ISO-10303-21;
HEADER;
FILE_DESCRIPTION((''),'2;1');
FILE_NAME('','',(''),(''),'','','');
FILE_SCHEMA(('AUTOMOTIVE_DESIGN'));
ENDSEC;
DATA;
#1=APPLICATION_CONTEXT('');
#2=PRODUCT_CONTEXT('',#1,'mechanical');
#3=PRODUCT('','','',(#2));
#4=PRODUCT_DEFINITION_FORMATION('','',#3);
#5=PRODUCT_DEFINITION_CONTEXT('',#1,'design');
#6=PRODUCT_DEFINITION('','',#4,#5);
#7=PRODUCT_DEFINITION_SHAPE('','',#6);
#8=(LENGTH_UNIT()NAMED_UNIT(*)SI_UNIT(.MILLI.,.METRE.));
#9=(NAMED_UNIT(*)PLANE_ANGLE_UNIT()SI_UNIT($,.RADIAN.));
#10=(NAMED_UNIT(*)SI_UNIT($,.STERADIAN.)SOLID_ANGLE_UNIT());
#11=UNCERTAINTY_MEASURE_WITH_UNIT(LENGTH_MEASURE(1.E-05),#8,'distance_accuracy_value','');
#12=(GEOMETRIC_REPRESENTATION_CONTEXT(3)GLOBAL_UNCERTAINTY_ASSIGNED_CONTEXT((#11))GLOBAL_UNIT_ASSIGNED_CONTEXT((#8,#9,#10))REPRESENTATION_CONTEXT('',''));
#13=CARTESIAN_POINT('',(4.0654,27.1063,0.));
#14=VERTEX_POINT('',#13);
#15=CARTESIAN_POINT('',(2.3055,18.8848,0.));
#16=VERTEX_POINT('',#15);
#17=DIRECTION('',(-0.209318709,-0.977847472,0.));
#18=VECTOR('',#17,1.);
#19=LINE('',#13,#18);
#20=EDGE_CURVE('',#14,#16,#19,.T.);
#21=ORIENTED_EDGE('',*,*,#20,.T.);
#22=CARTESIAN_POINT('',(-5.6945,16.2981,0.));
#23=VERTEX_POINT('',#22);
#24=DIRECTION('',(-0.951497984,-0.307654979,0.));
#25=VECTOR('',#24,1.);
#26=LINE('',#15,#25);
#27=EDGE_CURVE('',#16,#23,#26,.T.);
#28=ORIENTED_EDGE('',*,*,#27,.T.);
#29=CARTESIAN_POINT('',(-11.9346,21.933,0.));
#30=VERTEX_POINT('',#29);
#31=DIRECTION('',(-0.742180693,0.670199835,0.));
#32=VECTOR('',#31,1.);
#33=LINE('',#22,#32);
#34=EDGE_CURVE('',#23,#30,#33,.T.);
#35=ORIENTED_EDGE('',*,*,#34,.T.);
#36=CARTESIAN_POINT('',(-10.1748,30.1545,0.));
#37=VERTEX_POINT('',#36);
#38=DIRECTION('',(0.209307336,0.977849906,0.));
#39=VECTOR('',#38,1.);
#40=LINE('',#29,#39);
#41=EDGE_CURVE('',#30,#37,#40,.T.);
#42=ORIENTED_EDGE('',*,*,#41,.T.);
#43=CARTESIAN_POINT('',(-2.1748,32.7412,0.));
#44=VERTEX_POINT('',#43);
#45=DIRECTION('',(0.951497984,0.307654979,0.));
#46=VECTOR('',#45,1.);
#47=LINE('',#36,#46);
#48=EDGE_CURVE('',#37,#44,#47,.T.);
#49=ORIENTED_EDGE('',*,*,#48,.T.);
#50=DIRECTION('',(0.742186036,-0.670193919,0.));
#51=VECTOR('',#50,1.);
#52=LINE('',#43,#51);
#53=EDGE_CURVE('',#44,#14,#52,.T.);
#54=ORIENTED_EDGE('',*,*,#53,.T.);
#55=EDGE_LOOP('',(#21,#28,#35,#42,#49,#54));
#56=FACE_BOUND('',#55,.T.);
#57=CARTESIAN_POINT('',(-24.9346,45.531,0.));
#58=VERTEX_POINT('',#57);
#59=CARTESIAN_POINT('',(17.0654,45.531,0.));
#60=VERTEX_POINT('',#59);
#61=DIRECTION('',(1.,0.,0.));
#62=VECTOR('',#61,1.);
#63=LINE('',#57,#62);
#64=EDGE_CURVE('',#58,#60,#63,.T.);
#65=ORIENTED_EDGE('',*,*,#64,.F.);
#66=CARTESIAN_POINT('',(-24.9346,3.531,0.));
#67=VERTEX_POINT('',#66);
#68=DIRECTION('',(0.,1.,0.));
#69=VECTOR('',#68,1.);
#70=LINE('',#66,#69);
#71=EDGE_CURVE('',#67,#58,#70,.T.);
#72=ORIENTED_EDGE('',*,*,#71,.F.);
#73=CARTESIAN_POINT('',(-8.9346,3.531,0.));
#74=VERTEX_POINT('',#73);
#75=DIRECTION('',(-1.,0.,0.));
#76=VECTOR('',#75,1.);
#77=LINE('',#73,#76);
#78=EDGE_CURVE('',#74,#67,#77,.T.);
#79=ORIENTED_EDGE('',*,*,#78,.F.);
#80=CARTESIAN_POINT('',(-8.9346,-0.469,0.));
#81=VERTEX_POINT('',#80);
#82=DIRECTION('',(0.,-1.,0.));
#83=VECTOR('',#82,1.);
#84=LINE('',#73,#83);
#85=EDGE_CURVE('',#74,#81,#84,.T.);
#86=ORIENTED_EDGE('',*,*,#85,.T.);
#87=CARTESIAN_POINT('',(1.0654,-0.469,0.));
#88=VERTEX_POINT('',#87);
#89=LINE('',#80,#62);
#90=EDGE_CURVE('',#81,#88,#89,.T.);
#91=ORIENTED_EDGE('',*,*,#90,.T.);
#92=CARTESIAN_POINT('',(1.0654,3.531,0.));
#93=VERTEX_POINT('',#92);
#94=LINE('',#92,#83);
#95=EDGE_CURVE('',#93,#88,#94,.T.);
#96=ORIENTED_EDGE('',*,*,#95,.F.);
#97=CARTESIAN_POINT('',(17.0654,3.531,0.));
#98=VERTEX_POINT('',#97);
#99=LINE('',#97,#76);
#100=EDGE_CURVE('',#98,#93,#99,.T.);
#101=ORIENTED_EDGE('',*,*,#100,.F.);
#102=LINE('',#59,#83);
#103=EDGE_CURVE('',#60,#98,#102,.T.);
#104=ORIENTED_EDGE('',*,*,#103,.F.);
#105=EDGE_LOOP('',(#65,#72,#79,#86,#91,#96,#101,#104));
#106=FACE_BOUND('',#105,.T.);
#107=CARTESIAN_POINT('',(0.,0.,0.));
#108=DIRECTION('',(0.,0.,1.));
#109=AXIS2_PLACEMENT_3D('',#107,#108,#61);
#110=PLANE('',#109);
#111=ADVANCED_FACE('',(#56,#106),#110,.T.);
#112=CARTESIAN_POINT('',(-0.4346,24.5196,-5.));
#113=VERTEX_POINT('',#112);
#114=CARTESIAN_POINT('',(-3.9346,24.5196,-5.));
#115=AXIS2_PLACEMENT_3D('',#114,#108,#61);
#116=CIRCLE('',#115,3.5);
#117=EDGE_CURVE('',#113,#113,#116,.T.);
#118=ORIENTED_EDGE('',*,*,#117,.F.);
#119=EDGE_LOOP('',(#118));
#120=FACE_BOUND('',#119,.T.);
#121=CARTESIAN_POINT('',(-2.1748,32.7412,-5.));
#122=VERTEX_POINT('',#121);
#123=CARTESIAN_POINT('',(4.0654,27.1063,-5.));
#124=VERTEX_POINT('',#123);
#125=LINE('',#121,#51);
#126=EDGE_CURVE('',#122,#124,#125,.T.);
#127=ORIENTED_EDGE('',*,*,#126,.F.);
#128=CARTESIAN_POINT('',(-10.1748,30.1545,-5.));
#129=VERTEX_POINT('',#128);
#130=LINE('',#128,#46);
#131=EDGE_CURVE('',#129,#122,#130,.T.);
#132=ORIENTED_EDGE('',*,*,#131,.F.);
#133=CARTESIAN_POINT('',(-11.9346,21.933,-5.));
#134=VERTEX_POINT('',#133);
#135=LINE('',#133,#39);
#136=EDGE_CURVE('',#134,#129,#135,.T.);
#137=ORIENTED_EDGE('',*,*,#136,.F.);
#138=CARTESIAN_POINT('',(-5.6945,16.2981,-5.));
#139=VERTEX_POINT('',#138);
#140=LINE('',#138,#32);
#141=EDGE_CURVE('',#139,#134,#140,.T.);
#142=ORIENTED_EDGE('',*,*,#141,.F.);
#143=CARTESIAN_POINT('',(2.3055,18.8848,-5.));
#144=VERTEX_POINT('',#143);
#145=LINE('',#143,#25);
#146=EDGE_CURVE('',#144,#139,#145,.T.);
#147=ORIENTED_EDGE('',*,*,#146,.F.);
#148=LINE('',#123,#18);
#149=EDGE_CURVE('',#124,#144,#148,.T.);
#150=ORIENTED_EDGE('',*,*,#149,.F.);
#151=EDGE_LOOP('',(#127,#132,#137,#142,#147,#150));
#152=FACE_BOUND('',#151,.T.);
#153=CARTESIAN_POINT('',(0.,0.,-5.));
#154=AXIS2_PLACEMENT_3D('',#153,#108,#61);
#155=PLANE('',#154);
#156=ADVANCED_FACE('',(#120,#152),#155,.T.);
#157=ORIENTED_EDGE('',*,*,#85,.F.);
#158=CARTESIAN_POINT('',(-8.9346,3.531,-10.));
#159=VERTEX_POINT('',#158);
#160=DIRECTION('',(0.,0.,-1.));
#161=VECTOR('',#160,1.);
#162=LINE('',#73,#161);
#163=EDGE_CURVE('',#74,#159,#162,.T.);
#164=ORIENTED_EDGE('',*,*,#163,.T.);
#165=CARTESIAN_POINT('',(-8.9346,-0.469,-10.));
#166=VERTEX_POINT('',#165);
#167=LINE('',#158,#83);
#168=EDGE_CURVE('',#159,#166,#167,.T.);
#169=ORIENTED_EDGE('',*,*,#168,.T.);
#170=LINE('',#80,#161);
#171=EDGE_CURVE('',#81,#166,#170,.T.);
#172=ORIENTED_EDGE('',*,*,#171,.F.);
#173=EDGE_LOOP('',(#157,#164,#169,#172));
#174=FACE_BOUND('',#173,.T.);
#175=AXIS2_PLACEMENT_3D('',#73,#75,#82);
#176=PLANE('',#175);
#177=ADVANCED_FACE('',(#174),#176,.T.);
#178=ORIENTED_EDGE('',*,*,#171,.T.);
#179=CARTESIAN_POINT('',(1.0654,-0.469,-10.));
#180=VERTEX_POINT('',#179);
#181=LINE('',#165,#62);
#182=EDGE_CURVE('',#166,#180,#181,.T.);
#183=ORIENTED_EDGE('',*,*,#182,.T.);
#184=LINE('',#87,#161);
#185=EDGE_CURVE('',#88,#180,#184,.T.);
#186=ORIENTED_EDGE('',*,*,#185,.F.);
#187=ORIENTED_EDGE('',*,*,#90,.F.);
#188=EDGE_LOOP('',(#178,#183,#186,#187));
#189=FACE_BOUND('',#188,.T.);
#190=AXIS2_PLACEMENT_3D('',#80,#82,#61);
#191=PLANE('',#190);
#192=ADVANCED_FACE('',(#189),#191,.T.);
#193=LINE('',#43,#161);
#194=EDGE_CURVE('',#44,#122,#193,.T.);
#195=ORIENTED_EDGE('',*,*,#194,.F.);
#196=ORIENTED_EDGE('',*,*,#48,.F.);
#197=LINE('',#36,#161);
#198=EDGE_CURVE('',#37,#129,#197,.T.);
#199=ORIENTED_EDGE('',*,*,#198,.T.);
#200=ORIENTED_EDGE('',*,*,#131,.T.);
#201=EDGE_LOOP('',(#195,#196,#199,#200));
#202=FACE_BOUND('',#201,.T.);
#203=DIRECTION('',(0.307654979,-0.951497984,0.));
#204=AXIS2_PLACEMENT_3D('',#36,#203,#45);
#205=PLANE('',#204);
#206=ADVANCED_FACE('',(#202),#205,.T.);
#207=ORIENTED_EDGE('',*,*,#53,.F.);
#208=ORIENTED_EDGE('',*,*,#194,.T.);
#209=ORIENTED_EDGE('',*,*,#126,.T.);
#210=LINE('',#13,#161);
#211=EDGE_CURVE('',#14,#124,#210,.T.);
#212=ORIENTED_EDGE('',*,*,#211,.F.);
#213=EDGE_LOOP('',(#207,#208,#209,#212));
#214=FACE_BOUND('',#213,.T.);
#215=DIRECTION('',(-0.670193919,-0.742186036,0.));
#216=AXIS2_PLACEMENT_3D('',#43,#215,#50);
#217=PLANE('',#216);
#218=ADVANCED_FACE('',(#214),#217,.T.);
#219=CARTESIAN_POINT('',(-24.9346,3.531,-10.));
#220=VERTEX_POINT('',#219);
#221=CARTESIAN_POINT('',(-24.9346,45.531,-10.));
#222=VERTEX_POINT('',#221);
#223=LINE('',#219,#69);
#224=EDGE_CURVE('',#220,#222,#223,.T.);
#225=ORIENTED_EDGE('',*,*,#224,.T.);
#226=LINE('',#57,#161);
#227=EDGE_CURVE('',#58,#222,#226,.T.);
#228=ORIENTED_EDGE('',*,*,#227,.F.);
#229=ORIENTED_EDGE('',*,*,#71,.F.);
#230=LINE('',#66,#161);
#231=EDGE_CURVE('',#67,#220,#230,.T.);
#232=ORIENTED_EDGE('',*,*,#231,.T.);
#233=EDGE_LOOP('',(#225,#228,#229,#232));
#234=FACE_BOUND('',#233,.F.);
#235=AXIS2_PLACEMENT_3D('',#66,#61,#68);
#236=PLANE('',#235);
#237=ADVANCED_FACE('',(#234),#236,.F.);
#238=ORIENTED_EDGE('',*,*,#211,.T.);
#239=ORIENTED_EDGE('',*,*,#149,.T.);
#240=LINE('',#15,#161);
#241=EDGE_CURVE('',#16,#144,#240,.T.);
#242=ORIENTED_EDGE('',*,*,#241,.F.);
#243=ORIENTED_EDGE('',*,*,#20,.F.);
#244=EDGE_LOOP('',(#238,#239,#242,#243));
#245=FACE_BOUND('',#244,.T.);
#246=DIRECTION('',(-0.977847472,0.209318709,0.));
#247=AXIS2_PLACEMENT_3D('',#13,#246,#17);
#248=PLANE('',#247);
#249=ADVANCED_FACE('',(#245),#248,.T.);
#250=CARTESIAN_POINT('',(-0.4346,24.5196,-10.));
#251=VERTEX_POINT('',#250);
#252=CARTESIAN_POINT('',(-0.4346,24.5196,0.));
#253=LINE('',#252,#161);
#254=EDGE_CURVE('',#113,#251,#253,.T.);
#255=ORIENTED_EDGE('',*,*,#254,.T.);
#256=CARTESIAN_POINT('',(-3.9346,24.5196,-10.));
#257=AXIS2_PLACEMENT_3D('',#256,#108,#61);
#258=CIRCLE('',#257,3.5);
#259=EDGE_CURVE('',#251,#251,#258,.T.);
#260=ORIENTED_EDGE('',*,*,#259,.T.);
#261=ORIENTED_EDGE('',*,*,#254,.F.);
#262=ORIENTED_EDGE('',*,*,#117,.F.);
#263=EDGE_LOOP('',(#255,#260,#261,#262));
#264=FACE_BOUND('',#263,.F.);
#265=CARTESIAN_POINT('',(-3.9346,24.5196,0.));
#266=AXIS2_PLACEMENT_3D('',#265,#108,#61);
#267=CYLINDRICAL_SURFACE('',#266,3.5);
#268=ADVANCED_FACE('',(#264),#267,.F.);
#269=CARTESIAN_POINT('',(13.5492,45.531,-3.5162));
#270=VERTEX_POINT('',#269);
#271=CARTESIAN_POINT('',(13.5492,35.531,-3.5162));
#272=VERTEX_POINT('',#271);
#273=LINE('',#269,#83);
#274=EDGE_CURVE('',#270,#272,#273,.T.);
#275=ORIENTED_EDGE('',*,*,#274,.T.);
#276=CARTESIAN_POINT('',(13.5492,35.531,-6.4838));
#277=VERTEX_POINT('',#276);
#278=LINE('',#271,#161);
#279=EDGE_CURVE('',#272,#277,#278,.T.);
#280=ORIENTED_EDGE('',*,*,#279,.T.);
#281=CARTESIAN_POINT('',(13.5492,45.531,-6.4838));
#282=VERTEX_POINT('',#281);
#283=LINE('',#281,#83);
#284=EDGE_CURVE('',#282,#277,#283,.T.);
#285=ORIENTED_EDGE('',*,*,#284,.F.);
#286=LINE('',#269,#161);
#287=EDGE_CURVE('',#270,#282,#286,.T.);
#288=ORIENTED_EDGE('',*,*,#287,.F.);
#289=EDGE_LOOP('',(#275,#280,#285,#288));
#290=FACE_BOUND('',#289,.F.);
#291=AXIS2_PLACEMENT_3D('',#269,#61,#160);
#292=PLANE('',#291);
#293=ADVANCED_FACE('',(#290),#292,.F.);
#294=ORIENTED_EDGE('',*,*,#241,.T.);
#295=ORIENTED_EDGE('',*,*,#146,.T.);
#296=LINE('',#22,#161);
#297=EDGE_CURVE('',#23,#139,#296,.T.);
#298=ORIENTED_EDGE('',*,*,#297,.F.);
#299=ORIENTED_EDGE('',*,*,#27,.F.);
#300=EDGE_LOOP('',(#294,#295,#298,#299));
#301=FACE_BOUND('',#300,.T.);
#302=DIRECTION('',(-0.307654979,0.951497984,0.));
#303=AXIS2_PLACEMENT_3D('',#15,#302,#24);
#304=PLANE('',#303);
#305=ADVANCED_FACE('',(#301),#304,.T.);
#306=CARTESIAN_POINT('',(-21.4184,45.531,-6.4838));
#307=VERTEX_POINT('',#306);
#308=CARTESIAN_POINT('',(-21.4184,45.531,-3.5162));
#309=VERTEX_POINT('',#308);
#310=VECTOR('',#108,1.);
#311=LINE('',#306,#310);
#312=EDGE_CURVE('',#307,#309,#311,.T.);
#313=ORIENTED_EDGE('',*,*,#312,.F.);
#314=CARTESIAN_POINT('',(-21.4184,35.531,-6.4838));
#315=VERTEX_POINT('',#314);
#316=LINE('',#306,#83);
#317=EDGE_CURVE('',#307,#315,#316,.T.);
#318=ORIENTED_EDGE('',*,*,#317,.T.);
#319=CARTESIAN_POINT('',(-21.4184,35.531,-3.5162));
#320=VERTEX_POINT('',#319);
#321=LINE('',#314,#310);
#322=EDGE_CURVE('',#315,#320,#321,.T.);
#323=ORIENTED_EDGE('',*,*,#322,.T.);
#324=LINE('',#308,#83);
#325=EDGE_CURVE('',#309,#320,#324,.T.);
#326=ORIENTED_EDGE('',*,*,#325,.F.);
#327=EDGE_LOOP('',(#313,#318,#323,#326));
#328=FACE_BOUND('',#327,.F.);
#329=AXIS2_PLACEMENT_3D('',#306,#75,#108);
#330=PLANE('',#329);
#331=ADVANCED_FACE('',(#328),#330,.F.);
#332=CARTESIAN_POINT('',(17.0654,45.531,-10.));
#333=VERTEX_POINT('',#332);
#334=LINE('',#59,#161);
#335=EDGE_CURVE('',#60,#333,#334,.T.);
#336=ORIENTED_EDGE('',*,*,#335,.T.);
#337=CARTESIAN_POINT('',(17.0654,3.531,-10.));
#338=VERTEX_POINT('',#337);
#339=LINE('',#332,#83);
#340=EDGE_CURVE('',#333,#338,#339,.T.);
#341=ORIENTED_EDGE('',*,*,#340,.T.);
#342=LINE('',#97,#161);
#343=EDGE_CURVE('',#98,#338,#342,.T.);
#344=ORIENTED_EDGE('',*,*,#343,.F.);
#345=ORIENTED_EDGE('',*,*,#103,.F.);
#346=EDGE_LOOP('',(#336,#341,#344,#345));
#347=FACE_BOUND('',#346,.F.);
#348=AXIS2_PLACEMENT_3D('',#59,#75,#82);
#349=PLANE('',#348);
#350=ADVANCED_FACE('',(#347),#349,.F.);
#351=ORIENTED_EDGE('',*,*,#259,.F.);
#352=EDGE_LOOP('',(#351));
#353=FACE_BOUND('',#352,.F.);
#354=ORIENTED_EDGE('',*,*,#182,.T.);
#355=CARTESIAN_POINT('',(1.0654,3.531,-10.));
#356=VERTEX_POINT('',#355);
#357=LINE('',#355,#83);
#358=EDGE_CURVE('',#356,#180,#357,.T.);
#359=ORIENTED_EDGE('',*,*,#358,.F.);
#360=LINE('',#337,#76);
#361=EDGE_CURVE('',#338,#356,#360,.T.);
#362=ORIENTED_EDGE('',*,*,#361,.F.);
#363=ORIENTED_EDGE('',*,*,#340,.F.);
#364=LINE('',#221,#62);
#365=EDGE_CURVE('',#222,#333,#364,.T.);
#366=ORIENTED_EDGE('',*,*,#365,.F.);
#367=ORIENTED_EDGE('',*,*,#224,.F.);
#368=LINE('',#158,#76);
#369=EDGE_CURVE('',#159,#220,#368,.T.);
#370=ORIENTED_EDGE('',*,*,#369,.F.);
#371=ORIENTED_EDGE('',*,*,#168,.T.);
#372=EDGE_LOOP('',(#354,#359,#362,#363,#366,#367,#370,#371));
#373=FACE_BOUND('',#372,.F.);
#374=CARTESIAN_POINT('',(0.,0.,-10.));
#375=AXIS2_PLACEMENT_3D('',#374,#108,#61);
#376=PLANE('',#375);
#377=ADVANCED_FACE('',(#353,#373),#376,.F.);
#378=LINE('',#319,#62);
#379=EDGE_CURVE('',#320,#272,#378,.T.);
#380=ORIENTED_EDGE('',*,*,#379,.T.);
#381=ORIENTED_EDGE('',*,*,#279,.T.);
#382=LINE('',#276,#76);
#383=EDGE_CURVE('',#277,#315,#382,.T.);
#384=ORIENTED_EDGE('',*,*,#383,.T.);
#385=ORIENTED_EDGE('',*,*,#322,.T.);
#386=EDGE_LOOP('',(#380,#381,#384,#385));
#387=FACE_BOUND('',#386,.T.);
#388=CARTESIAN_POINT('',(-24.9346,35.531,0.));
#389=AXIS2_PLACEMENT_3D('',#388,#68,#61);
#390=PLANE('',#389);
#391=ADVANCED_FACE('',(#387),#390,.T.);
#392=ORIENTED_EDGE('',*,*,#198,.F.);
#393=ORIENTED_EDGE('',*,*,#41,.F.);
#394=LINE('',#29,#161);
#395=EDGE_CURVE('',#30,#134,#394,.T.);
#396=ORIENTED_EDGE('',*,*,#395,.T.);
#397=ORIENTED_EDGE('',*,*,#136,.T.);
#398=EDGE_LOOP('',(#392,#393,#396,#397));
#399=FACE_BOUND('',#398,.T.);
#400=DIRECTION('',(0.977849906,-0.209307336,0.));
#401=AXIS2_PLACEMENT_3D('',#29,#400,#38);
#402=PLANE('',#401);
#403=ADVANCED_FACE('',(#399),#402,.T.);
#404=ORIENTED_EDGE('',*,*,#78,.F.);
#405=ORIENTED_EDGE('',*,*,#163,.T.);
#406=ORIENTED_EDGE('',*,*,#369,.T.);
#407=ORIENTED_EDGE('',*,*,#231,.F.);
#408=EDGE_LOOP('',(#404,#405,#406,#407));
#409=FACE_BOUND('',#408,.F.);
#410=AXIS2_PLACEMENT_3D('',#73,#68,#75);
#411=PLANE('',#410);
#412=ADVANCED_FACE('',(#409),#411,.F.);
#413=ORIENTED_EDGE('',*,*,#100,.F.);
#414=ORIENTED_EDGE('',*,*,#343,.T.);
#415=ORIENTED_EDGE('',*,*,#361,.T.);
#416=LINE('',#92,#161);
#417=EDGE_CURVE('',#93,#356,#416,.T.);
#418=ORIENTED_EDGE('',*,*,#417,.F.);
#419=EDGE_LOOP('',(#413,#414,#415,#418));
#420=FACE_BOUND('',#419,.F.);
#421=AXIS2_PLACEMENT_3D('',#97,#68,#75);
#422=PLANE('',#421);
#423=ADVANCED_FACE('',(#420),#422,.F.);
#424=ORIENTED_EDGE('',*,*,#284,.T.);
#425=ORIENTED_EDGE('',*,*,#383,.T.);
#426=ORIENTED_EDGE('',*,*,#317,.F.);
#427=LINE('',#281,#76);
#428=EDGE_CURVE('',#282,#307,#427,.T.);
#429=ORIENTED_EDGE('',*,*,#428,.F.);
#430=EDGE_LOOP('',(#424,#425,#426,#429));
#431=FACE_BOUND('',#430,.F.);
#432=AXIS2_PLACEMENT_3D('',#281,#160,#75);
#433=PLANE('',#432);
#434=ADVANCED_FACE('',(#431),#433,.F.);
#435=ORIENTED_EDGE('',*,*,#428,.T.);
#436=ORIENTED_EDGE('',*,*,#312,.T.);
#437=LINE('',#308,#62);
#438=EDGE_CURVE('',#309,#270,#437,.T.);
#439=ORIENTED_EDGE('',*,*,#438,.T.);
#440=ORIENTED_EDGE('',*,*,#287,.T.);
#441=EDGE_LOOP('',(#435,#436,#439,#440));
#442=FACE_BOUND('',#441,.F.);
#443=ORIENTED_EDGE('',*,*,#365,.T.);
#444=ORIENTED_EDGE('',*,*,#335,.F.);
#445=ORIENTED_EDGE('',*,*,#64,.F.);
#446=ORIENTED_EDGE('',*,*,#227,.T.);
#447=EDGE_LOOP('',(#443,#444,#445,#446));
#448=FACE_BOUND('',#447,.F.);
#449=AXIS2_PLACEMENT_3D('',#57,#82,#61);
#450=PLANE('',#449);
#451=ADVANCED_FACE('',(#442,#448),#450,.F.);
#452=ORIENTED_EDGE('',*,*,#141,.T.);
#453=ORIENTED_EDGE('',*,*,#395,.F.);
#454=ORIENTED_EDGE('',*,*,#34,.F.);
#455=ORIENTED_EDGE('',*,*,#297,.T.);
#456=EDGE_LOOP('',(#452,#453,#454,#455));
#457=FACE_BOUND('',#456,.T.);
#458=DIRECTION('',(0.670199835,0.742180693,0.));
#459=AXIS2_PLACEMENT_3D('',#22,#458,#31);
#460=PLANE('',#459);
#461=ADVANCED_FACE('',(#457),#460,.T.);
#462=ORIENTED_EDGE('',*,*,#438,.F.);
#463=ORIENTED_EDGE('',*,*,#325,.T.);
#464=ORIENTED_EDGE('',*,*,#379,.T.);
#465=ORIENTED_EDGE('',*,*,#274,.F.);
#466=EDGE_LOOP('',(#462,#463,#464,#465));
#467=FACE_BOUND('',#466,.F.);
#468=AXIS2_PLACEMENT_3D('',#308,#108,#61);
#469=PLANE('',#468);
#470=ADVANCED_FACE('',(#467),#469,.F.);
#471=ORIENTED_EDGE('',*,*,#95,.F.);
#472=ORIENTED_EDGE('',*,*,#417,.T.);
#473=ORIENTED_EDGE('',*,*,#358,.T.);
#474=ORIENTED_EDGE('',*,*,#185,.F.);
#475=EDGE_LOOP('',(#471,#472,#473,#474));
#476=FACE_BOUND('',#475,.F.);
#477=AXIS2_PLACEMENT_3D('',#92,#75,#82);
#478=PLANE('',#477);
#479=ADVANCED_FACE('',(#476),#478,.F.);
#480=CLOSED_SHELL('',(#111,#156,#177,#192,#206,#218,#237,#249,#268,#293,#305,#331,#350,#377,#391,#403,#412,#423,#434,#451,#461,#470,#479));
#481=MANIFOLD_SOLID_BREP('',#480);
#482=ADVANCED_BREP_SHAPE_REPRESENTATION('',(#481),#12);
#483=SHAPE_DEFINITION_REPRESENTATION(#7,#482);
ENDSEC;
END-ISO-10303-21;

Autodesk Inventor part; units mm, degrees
ref_plane "YZ Plane" through (0, 0, 0) normal (1, 0, 0) x (0, 1, 0)
ref_plane "XZ Plane" through (0, 0, 0) normal (0, 1, 0) x (-1, 0, 0)
ref_plane "XY Plane" through (0, 0, 0) normal (0, 0, 1) x (1, 0, 0)
sketch "Sketch1" plane through (0, 0, 0) normal (0, 0, 1) x (1, 0, 0)
  line L0 (-8.9346, 3.531) -> (-24.9346, 3.531)
  line L1 (-24.9346, 3.531) -> (-24.9346, 45.531)
  line L2 (-24.9346, 45.531) -> (17.0654, 45.531)
  line L3 (17.0654, 45.531) -> (17.0654, 3.531)
  line L4 (17.0654, 3.531) -> (1.0654, 3.531)
  line L5 (4.0654, 27.1063) -> (2.3055, 18.8848)
  line L6 (2.3055, 18.8848) -> (-5.6945, 16.2981)
  line L7 (-5.6945, 16.2981) -> (-11.9346, 21.933)
  line L8 (-11.9346, 21.933) -> (-10.1748, 30.1545)
  line L9 (-10.1748, 30.1545) -> (-2.1748, 32.7412)
  line L10 (-2.1748, 32.7412) -> (4.0654, 27.1063)
  circle A0 centre (-3.9346, 24.5196) radius 3.5
  line L11 (-8.9346, -0.469) -> (1.0654, -0.469)
  line L12 (-8.9346, 3.531) -> (-8.9346, -0.469)
  line L13 (1.0654, 3.531) -> (1.0654, -0.469)
  point P0 (0, 0)
extrude "Extrusion1" add sketch "Sketch1" against normal blind 10 contours L0 L1 L2 L3 L4 L13 L11 L12 | L5 L6 L7 L8 L9 L10 | A0
extrude "Extrusion2" cut sketch "Sketch1" against normal through all contours A0
extrude "Extrusion3" cut sketch "Sketch1" against normal blind 5 contours L5 L6 L7 L8 L9 L10
sketch "Sketch2" plane through (-24.9346, 45.531, 0) normal (0, 1, 0) x (1, 0, 0)
  line L0 (3.5162, 3.5162) -> (38.4838, 3.5162)
  line L1 (38.4838, 3.5162) -> (38.4838, 6.4838)
  line L2 (38.4838, 6.4838) -> (3.5162, 6.4838)
  line L3 (3.5162, 6.4838) -> (3.5162, 3.5162)
  point P0 (24.9346, 0)
  point P1 (0, 10)
  point P2 (42, 0)
extrude "Extrusion4" cut sketch "Sketch2" against normal blind 10
properties part number "gaica cu suportul" material "Gold"
